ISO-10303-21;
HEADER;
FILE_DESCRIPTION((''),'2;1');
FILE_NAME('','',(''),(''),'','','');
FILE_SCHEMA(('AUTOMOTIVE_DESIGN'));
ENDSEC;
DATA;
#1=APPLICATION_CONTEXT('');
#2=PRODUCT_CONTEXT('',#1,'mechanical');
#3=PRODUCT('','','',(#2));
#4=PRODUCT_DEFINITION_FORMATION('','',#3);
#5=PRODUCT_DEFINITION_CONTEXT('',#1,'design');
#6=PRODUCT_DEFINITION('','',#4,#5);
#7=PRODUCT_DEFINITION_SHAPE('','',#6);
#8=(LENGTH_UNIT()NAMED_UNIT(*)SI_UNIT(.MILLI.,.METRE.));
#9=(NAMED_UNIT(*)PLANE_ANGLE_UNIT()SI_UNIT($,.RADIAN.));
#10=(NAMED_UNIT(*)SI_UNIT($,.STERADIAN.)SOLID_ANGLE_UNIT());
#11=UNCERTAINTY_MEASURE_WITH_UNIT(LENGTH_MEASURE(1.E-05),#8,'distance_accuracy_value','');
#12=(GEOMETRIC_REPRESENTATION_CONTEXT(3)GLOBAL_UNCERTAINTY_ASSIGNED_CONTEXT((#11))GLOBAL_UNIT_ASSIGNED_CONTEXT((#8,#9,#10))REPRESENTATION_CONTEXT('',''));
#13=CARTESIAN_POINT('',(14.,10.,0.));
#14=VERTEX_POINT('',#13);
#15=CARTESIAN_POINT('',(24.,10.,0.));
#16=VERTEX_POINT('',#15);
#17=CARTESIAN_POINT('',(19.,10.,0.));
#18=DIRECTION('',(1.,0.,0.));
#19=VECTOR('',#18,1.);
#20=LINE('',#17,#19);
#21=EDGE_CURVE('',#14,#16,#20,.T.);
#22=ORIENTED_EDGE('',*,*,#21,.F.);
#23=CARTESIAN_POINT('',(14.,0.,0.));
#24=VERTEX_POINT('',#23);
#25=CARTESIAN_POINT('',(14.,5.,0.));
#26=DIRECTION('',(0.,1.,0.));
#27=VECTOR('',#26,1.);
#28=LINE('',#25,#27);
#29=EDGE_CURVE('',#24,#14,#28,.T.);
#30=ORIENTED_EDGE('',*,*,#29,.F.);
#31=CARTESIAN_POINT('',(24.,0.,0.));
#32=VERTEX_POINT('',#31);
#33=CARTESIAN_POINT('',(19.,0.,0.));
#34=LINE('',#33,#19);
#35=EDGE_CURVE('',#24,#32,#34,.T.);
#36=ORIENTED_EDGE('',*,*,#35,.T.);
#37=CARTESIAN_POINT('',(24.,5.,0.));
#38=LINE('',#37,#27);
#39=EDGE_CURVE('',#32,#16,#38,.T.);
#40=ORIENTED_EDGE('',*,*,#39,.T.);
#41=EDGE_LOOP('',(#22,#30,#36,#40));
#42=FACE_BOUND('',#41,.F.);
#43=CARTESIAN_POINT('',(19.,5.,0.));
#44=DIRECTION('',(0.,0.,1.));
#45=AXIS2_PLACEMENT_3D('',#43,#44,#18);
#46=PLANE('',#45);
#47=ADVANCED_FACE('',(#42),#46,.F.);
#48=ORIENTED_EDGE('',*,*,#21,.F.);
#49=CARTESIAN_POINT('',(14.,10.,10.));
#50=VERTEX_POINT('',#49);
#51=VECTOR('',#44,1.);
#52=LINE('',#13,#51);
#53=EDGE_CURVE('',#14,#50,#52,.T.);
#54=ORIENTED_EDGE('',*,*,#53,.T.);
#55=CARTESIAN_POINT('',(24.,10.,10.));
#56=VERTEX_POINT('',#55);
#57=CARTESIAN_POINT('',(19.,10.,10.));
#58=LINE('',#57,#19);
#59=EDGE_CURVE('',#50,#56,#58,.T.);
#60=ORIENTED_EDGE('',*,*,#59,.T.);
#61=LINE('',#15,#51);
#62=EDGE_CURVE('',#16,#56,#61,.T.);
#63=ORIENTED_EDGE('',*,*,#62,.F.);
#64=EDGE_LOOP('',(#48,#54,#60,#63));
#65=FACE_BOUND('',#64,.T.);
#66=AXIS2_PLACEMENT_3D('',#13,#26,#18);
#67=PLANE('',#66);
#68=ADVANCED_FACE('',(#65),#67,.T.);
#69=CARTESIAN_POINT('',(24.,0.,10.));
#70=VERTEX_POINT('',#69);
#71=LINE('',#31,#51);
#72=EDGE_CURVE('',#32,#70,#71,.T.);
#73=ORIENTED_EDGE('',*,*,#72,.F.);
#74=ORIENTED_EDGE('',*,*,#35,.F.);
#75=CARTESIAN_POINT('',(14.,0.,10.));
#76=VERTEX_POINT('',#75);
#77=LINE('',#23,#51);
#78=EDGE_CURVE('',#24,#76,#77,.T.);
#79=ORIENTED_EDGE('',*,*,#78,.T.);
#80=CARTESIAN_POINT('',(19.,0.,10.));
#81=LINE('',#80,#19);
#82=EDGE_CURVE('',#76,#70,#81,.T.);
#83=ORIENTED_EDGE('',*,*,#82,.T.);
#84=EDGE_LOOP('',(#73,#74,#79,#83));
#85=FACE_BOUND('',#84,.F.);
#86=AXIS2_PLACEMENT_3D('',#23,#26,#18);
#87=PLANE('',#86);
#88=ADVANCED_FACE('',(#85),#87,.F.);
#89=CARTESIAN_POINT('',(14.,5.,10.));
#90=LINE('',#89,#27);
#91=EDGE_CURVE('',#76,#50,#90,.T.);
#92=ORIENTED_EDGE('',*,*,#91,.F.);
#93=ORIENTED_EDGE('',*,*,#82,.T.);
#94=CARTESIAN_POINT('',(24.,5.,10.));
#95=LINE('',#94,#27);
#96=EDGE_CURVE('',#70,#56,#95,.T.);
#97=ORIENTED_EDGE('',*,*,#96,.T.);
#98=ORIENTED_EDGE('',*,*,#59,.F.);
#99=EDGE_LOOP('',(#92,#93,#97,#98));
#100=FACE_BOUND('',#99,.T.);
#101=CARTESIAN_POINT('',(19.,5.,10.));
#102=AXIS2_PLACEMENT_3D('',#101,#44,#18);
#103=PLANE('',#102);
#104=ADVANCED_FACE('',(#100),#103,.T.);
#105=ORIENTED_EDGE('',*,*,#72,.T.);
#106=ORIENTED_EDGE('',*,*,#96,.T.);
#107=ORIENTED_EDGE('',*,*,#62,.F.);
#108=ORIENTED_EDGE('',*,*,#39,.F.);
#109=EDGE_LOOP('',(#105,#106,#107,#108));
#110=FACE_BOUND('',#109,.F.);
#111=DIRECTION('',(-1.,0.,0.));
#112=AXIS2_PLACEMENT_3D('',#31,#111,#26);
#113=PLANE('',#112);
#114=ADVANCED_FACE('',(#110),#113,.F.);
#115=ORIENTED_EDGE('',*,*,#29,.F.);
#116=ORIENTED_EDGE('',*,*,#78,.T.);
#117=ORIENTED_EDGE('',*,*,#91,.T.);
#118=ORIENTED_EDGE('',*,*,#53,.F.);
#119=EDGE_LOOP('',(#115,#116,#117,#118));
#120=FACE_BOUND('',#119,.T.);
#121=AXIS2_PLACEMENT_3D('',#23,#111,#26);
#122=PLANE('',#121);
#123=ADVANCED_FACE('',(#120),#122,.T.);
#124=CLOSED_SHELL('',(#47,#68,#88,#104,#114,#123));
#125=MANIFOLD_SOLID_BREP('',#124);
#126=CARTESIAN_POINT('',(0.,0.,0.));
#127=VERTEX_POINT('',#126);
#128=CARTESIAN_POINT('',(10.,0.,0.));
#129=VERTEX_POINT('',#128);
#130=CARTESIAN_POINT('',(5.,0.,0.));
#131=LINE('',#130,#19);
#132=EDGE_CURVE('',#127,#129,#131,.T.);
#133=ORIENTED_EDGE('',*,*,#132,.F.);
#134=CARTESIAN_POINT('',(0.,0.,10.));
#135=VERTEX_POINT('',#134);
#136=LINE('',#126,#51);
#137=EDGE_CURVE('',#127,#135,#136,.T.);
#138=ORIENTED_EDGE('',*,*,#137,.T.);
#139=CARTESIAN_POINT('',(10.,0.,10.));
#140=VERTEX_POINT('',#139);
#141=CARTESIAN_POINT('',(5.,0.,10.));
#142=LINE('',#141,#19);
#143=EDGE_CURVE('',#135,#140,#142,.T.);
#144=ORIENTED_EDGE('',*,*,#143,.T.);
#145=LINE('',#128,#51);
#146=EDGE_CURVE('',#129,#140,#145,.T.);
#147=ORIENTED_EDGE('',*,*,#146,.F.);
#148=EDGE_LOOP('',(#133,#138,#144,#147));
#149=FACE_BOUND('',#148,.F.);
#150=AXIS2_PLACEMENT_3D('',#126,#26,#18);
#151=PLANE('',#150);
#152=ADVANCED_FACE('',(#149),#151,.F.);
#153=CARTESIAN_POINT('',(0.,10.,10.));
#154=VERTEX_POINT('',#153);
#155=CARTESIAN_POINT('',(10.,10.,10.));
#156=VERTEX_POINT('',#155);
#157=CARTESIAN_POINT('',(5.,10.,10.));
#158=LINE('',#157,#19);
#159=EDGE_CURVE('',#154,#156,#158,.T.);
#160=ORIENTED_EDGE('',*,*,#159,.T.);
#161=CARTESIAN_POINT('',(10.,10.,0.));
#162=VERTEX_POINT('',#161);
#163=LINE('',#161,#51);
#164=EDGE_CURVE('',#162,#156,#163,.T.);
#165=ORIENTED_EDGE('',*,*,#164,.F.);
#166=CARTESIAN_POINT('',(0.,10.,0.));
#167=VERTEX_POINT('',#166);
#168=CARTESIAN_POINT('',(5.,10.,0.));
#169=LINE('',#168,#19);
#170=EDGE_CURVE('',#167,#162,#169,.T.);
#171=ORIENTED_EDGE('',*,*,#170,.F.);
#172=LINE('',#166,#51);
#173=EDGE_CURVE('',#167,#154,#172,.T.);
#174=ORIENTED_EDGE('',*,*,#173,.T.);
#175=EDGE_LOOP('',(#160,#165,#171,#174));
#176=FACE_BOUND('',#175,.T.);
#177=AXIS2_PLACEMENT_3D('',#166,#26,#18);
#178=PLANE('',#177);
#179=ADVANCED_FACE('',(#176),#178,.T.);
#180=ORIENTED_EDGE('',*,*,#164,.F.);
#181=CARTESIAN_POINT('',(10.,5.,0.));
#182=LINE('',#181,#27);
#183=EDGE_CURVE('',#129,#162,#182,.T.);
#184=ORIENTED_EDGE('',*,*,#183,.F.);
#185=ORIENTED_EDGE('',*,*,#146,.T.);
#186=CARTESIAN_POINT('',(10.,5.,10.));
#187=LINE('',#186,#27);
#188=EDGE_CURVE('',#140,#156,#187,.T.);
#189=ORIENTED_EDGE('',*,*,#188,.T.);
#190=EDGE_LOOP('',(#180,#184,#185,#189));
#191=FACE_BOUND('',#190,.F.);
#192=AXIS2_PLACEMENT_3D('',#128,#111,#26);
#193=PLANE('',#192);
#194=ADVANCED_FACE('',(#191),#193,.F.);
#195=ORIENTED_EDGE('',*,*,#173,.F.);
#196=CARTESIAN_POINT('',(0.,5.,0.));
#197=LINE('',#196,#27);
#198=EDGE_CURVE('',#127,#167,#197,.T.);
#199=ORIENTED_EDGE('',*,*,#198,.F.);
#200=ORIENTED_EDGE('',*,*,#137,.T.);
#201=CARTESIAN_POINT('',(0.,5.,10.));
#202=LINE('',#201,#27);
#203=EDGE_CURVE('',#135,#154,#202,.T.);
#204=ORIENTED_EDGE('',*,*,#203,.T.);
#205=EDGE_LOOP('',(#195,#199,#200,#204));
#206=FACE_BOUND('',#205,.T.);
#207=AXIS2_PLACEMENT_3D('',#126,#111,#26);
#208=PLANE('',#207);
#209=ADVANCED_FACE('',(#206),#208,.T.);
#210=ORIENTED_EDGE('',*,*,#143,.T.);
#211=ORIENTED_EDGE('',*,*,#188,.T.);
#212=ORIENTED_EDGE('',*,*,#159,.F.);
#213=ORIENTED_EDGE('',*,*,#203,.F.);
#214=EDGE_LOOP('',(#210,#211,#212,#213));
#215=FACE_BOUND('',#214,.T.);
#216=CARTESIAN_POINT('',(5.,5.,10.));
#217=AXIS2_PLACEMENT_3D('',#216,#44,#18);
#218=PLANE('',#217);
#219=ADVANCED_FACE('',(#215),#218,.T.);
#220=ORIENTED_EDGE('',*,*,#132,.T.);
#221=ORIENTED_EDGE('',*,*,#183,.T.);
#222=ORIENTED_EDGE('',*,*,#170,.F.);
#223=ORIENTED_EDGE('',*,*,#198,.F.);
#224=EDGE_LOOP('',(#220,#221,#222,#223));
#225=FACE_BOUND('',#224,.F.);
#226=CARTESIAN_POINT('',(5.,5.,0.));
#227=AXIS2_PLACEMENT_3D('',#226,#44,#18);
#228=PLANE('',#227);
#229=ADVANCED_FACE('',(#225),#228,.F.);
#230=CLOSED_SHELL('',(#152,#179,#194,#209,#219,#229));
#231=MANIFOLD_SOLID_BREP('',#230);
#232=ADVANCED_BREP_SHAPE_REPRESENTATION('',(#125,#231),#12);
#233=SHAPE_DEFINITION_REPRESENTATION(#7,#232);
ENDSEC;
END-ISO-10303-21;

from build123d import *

# Parameters (mm, degrees)
BOX_W        = 10
BOX_H        = 10
BOX_DEPTH    = 10
BOX001_W     = 10
BOX001_H     = 10
BOX001_DEPTH = 10


with BuildPart() as cubo:
    # Box → Box (new body)
    with BuildSketch(Plane.XY):
        with Locations((5, 5)):
            Rectangle(BOX_W, BOX_H)
    extrude(amount=BOX_DEPTH)


with BuildPart() as cubo001:
    # Box001 → Box001 (new body)
    with BuildSketch(Plane(origin=(14, 0, 0), x_dir=(1, 0, 0), z_dir=(0, 0, 1))):
        with Locations((5, 5)):
            Rectangle(BOX001_W, BOX001_H)
    extrude(amount=BOX001_DEPTH)


solid = Compound([cubo.part, cubo001.part])
